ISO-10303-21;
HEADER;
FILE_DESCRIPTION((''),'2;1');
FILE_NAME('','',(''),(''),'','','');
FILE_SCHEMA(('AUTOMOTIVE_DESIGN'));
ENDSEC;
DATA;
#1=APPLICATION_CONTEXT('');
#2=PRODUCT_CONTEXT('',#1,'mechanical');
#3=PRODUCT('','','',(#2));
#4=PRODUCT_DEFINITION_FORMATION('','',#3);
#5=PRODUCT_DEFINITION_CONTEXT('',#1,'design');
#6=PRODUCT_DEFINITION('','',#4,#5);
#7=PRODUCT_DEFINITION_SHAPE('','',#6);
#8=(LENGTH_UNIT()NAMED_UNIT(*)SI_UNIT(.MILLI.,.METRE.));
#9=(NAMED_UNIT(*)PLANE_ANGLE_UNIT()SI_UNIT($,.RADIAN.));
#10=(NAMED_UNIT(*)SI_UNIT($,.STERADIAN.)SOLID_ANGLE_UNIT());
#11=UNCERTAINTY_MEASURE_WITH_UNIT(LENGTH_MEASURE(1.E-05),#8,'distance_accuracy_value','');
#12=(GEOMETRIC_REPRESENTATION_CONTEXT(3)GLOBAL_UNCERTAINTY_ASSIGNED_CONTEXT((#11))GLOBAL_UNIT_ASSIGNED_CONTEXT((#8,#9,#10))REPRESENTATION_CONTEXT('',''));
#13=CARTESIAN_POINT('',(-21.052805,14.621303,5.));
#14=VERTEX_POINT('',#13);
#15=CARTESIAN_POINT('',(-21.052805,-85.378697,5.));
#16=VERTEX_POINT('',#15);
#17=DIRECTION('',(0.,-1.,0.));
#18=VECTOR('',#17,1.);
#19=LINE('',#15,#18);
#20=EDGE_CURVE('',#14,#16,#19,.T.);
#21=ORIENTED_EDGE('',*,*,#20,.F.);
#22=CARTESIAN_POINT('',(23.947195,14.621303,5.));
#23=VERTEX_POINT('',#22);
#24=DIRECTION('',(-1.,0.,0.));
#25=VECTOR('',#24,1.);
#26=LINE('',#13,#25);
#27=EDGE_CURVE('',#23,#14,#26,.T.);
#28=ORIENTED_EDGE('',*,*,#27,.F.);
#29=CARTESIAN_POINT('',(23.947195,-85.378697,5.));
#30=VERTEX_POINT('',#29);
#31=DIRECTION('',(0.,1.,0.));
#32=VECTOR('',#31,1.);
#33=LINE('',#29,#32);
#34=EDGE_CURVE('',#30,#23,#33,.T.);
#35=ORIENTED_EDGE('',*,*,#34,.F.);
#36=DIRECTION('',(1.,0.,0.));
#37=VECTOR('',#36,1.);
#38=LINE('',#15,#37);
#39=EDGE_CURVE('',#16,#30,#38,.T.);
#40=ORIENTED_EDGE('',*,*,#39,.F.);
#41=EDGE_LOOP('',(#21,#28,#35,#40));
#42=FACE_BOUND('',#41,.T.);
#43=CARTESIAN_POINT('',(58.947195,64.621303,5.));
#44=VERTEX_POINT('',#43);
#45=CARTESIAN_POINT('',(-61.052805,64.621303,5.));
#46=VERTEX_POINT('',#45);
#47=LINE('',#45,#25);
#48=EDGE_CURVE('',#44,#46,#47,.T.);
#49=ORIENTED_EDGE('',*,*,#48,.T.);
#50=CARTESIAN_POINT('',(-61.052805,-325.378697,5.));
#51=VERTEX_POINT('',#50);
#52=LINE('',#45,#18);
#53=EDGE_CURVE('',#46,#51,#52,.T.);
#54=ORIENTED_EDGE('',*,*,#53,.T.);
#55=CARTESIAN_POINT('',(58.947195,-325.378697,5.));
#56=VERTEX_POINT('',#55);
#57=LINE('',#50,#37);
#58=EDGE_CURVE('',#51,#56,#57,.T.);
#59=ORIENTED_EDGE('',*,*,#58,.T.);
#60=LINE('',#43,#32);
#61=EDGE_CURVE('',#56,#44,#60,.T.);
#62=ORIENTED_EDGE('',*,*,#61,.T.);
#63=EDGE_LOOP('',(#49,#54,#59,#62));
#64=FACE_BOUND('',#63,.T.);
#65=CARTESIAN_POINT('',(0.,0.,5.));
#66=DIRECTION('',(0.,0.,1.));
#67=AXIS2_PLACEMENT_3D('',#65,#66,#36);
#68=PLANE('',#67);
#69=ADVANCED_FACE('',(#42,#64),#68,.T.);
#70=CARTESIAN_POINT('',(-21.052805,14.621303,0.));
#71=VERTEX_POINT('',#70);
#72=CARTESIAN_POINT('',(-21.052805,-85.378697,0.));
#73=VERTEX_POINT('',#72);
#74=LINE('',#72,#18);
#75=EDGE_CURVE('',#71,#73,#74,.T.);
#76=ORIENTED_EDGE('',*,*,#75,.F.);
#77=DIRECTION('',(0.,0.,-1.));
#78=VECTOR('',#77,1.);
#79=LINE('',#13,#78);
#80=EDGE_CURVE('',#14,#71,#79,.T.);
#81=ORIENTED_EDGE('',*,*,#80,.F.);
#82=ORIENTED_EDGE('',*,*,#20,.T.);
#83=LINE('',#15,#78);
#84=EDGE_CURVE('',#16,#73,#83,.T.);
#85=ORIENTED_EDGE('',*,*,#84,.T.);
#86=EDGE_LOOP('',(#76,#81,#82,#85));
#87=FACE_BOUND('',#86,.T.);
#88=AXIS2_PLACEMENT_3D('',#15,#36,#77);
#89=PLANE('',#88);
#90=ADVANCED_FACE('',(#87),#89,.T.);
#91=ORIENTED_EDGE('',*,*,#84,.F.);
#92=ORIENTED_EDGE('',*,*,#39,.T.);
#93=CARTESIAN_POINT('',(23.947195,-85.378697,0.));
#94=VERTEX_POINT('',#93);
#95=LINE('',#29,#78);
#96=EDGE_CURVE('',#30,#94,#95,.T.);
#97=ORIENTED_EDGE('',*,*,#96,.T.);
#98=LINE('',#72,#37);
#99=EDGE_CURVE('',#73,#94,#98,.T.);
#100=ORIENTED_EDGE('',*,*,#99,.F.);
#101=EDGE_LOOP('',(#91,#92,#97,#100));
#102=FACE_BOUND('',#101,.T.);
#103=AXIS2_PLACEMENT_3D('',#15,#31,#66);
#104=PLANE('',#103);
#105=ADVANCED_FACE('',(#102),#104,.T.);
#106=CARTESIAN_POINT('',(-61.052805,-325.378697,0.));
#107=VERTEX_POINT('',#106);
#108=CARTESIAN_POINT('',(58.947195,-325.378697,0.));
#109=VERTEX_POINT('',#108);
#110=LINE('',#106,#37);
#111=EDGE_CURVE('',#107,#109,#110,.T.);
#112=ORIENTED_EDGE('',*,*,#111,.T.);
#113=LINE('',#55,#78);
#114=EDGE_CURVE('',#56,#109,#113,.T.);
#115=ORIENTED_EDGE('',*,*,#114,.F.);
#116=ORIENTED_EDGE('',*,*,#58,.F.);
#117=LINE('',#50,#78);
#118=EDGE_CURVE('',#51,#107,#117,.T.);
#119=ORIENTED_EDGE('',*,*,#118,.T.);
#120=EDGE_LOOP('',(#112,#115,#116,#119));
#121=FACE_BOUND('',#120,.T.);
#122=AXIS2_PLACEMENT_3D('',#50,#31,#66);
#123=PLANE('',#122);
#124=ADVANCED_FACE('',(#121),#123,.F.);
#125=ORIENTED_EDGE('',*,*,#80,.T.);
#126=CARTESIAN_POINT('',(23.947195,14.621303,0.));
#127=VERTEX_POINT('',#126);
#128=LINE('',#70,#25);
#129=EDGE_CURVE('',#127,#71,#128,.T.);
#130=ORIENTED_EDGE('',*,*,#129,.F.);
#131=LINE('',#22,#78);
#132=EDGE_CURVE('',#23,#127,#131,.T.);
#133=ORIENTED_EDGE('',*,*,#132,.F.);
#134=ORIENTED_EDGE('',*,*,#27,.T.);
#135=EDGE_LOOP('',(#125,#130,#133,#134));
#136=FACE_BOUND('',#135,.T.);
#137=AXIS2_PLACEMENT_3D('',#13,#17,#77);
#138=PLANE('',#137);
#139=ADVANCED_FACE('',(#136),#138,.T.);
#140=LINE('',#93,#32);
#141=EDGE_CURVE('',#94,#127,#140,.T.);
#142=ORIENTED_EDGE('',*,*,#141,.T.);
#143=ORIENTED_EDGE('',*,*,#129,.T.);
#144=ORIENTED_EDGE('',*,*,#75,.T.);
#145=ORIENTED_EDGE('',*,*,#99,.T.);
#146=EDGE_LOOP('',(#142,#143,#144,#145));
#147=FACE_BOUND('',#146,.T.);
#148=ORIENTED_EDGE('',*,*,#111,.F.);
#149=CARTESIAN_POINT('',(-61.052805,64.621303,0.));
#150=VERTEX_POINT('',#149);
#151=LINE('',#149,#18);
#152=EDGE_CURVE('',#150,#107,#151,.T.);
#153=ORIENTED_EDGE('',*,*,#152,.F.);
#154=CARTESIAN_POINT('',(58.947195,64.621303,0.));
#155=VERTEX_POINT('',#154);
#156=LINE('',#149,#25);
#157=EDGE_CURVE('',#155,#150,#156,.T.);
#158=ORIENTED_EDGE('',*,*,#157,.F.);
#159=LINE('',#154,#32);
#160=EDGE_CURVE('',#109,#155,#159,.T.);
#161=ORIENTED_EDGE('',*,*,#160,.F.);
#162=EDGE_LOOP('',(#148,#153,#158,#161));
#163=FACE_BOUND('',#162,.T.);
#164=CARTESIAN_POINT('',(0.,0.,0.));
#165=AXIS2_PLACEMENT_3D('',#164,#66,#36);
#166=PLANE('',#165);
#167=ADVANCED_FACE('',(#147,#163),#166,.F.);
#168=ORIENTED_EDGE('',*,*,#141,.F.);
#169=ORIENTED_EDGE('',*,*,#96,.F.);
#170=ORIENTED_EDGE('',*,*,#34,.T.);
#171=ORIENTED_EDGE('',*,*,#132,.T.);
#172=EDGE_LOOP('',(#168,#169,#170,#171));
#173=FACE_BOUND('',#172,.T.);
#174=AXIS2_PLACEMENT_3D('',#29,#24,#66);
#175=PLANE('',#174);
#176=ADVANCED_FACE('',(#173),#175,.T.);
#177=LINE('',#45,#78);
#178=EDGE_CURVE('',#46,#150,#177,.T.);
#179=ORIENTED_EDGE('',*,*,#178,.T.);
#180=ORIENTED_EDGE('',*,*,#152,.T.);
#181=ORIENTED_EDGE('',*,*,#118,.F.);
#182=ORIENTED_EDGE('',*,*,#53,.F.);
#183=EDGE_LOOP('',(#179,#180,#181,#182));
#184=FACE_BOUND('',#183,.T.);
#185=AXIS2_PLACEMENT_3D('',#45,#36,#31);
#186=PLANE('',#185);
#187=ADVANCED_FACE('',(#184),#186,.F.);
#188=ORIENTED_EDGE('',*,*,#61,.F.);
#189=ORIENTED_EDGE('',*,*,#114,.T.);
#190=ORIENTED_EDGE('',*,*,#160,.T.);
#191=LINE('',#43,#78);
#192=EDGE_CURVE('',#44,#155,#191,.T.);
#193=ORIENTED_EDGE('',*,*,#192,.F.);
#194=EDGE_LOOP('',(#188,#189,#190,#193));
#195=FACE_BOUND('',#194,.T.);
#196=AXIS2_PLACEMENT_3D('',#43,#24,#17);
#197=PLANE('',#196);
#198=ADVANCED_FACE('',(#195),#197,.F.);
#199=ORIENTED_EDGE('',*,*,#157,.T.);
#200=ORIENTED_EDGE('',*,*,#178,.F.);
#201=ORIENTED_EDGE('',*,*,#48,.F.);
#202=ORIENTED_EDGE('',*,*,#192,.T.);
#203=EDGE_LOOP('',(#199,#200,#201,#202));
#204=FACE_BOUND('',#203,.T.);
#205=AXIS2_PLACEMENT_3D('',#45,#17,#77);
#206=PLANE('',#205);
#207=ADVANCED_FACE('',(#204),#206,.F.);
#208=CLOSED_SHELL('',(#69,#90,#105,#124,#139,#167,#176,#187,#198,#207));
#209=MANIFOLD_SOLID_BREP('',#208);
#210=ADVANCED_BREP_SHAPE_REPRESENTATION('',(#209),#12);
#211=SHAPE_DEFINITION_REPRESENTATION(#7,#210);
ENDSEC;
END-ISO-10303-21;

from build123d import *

# Parameters (mm, degrees)
CROQUIS1_W              = 120
CROQUIS1_H              = 390
CROQUIS1_W_2            = 45
CROQUIS1_H_2            = 100
SALIENTE_EXTRUIR1_DEPTH = 5


with BuildPart() as part:
    # Croquis1 → Saliente-Extruir1 (new body)
    with BuildSketch(Plane.XY):
        with Locations((-1.05280459, -130.378696834)):
            Rectangle(CROQUIS1_W, CROQUIS1_H)
        with Locations((1.44719541, -35.378696834)):
            Rectangle(CROQUIS1_W_2, CROQUIS1_H_2, mode=Mode.SUBTRACT)
    extrude(amount=SALIENTE_EXTRUIR1_DEPTH)


solid = part.part
